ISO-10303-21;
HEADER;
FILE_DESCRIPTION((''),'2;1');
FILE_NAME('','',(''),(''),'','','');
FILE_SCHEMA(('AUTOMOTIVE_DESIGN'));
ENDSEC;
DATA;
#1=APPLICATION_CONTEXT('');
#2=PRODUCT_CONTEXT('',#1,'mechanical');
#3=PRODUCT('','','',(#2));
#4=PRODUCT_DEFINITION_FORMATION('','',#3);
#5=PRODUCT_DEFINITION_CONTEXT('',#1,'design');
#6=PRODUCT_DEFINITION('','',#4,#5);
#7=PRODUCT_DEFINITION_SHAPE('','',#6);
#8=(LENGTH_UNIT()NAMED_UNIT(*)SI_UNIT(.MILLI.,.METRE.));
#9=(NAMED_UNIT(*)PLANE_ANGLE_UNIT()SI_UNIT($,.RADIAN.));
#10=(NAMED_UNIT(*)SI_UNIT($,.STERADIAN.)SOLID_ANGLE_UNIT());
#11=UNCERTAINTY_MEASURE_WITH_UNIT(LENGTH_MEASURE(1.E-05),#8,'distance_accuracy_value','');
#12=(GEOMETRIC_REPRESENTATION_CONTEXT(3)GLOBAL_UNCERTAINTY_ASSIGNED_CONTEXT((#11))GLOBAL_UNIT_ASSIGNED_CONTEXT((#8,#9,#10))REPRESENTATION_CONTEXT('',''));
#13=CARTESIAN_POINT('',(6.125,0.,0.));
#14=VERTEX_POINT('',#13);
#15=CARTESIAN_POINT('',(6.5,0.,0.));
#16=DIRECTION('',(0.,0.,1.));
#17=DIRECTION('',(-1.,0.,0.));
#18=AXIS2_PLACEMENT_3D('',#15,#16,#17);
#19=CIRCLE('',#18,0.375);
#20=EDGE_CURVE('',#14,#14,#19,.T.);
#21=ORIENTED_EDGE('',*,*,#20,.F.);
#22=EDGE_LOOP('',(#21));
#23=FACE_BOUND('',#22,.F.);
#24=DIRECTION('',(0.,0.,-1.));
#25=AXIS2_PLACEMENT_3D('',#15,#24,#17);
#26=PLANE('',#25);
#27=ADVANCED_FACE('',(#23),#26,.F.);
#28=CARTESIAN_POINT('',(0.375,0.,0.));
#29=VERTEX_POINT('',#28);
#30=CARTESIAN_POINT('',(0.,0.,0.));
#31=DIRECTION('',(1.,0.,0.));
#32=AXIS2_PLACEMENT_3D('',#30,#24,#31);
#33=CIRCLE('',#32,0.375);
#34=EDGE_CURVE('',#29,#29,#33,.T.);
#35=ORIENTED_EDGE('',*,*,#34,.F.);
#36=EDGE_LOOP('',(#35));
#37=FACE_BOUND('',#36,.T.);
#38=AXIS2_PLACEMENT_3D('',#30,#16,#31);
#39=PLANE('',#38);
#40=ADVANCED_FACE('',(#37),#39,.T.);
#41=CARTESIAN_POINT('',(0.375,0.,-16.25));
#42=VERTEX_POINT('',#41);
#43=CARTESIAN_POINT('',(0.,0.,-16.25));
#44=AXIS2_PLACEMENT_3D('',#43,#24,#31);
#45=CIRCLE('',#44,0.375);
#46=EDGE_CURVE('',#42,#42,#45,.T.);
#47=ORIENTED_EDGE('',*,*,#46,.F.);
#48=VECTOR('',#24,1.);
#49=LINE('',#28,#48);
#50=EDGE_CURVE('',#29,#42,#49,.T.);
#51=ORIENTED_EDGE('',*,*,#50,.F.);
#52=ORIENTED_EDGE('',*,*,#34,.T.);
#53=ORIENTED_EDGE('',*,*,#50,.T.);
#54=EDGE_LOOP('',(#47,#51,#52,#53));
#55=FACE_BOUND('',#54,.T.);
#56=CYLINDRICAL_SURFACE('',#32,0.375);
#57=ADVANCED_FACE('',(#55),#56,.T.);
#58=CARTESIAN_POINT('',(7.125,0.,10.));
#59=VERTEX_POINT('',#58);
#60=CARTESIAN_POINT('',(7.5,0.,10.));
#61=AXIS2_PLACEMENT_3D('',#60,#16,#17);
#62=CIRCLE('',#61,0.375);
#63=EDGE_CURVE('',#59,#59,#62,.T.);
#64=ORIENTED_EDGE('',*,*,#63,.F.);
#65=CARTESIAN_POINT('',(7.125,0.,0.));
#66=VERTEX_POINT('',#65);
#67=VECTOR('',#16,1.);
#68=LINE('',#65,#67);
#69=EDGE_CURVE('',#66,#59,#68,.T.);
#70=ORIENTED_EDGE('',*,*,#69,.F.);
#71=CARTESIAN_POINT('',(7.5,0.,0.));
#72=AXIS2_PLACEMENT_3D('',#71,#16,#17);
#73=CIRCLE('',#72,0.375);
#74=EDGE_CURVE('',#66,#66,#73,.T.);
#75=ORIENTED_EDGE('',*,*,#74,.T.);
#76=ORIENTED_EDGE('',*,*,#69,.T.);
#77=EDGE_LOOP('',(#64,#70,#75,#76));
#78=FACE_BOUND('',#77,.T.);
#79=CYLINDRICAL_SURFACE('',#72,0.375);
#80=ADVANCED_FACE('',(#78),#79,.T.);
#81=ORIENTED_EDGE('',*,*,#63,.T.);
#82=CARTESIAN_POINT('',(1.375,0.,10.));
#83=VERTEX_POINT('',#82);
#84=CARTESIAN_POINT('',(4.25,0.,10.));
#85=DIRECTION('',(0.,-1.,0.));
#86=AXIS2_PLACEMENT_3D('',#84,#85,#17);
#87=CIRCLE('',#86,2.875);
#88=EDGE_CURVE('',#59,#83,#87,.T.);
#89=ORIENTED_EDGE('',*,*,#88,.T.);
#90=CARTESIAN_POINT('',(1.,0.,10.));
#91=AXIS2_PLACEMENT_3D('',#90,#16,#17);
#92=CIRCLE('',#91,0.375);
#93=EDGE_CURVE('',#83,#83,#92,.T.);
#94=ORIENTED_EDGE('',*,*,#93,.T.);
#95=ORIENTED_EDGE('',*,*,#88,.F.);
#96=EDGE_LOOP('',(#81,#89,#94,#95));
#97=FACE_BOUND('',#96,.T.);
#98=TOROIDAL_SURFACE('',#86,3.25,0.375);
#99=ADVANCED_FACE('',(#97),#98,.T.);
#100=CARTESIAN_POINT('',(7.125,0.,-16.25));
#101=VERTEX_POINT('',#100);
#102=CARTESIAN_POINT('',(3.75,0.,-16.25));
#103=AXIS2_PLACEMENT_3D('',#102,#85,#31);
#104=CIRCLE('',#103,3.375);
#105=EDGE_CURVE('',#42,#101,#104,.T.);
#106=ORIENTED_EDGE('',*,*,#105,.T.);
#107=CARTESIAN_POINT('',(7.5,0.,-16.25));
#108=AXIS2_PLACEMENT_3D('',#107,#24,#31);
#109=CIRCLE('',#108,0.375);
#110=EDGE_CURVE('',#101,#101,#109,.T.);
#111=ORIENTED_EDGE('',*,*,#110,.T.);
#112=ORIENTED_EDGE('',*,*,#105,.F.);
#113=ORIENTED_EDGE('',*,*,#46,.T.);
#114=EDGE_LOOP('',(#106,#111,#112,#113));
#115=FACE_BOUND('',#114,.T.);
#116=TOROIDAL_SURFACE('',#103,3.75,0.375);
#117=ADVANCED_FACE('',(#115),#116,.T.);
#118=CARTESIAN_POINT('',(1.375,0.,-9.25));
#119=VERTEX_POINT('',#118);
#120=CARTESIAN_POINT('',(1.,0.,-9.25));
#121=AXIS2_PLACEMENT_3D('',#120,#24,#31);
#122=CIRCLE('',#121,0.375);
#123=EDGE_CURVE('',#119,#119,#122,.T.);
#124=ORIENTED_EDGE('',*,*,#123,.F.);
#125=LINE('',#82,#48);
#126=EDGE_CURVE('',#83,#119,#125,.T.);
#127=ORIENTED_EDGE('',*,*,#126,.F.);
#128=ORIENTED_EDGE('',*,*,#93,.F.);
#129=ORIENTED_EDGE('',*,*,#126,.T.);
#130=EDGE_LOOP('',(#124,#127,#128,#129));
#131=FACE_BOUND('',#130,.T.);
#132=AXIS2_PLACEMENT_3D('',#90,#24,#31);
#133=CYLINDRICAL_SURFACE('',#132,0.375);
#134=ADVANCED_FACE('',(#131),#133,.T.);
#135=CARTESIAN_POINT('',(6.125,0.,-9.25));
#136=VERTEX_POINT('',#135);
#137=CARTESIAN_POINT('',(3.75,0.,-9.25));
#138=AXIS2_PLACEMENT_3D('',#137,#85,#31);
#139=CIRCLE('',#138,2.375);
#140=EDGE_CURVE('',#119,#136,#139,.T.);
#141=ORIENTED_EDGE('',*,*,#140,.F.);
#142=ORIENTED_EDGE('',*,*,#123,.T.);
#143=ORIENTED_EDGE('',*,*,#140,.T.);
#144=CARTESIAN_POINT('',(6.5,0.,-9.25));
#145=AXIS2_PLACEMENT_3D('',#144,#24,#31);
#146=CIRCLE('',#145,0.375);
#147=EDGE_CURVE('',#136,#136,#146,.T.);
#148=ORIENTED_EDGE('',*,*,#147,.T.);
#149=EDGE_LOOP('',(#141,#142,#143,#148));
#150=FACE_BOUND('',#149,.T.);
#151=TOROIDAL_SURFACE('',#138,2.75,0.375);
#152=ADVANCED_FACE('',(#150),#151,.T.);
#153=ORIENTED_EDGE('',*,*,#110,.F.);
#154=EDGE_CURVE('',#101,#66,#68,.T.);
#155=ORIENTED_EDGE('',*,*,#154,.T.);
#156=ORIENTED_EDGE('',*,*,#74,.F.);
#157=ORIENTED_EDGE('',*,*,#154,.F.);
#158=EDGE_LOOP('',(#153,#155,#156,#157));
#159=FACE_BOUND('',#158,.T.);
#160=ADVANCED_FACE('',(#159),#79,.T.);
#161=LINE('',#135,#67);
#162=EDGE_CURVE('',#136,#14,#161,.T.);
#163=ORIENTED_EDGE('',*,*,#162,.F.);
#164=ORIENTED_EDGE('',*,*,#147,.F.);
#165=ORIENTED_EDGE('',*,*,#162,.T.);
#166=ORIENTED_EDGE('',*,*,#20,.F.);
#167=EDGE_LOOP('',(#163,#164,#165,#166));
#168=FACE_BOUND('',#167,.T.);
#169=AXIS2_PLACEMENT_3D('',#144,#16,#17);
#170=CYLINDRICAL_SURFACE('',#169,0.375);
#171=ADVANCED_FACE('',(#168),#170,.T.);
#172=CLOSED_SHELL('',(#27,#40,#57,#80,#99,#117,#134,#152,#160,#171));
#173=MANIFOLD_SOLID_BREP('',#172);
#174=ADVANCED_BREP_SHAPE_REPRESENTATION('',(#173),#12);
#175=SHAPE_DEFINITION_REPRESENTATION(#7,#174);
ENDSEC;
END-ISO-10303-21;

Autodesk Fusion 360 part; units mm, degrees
sketch "Sketch1" plane through (0, 0, 0) normal (0, 1, 0) x (1, 0, 0) in component "Clip"
  line L0 (0, 0) -> (0, 16.25)
  line L1 (0, 0) -> (7.5, 0) construction
  line L2 (7.5, 0) -> (7.5, 16.25)
  line L3 (7.5, 0) -> (7.5, -10)
  line L4 (7.5, -10) -> (1, -10) construction
  line L5 (1, -10) -> (1, 9.25)
  line L6 (1, 9.25) -> (6.5, 9.25) construction
  line L7 (6.5, 9.25) -> (6.5, 0)
  line L8 (0, 16.25) -> (7.5, 16.25) construction
  arc A0 (7.5, 16.25) -> (0, 16.25) centre (3.75, 16.25) ccw
  arc A1 (1, -10) -> (7.5, -10) centre (4.25, -10) ccw
  arc A2 (6.5, 9.25) -> (1, 9.25) centre (3.75, 9.25) ccw
  dimension "d1" = 16.25
  dimension "d2" = 7.5
  dimension "d5" = 6.5
  dimension "d6" = 19.25
  dimension "d7" = 5.5
  dimension "d8" = 26.25
sketch "Sketch2" plane through (0, 0, 0) normal (0, 0, 1) x (1, 0, 0) in component "Clip"
  circle A0 centre (0, 0) radius 0.375
  dimension "d9" = 0.75
sweep "Sweep1" add profiles "Sketch2" path "Sketch1" along L0 A0 L2 L3 A1 L5 A2 L7 section 1 in component "Clip"
component "Clip" placed x (1, 0, 0) y (0, 1, 0) z (0, 0, 1) at (0, 0, 0)
